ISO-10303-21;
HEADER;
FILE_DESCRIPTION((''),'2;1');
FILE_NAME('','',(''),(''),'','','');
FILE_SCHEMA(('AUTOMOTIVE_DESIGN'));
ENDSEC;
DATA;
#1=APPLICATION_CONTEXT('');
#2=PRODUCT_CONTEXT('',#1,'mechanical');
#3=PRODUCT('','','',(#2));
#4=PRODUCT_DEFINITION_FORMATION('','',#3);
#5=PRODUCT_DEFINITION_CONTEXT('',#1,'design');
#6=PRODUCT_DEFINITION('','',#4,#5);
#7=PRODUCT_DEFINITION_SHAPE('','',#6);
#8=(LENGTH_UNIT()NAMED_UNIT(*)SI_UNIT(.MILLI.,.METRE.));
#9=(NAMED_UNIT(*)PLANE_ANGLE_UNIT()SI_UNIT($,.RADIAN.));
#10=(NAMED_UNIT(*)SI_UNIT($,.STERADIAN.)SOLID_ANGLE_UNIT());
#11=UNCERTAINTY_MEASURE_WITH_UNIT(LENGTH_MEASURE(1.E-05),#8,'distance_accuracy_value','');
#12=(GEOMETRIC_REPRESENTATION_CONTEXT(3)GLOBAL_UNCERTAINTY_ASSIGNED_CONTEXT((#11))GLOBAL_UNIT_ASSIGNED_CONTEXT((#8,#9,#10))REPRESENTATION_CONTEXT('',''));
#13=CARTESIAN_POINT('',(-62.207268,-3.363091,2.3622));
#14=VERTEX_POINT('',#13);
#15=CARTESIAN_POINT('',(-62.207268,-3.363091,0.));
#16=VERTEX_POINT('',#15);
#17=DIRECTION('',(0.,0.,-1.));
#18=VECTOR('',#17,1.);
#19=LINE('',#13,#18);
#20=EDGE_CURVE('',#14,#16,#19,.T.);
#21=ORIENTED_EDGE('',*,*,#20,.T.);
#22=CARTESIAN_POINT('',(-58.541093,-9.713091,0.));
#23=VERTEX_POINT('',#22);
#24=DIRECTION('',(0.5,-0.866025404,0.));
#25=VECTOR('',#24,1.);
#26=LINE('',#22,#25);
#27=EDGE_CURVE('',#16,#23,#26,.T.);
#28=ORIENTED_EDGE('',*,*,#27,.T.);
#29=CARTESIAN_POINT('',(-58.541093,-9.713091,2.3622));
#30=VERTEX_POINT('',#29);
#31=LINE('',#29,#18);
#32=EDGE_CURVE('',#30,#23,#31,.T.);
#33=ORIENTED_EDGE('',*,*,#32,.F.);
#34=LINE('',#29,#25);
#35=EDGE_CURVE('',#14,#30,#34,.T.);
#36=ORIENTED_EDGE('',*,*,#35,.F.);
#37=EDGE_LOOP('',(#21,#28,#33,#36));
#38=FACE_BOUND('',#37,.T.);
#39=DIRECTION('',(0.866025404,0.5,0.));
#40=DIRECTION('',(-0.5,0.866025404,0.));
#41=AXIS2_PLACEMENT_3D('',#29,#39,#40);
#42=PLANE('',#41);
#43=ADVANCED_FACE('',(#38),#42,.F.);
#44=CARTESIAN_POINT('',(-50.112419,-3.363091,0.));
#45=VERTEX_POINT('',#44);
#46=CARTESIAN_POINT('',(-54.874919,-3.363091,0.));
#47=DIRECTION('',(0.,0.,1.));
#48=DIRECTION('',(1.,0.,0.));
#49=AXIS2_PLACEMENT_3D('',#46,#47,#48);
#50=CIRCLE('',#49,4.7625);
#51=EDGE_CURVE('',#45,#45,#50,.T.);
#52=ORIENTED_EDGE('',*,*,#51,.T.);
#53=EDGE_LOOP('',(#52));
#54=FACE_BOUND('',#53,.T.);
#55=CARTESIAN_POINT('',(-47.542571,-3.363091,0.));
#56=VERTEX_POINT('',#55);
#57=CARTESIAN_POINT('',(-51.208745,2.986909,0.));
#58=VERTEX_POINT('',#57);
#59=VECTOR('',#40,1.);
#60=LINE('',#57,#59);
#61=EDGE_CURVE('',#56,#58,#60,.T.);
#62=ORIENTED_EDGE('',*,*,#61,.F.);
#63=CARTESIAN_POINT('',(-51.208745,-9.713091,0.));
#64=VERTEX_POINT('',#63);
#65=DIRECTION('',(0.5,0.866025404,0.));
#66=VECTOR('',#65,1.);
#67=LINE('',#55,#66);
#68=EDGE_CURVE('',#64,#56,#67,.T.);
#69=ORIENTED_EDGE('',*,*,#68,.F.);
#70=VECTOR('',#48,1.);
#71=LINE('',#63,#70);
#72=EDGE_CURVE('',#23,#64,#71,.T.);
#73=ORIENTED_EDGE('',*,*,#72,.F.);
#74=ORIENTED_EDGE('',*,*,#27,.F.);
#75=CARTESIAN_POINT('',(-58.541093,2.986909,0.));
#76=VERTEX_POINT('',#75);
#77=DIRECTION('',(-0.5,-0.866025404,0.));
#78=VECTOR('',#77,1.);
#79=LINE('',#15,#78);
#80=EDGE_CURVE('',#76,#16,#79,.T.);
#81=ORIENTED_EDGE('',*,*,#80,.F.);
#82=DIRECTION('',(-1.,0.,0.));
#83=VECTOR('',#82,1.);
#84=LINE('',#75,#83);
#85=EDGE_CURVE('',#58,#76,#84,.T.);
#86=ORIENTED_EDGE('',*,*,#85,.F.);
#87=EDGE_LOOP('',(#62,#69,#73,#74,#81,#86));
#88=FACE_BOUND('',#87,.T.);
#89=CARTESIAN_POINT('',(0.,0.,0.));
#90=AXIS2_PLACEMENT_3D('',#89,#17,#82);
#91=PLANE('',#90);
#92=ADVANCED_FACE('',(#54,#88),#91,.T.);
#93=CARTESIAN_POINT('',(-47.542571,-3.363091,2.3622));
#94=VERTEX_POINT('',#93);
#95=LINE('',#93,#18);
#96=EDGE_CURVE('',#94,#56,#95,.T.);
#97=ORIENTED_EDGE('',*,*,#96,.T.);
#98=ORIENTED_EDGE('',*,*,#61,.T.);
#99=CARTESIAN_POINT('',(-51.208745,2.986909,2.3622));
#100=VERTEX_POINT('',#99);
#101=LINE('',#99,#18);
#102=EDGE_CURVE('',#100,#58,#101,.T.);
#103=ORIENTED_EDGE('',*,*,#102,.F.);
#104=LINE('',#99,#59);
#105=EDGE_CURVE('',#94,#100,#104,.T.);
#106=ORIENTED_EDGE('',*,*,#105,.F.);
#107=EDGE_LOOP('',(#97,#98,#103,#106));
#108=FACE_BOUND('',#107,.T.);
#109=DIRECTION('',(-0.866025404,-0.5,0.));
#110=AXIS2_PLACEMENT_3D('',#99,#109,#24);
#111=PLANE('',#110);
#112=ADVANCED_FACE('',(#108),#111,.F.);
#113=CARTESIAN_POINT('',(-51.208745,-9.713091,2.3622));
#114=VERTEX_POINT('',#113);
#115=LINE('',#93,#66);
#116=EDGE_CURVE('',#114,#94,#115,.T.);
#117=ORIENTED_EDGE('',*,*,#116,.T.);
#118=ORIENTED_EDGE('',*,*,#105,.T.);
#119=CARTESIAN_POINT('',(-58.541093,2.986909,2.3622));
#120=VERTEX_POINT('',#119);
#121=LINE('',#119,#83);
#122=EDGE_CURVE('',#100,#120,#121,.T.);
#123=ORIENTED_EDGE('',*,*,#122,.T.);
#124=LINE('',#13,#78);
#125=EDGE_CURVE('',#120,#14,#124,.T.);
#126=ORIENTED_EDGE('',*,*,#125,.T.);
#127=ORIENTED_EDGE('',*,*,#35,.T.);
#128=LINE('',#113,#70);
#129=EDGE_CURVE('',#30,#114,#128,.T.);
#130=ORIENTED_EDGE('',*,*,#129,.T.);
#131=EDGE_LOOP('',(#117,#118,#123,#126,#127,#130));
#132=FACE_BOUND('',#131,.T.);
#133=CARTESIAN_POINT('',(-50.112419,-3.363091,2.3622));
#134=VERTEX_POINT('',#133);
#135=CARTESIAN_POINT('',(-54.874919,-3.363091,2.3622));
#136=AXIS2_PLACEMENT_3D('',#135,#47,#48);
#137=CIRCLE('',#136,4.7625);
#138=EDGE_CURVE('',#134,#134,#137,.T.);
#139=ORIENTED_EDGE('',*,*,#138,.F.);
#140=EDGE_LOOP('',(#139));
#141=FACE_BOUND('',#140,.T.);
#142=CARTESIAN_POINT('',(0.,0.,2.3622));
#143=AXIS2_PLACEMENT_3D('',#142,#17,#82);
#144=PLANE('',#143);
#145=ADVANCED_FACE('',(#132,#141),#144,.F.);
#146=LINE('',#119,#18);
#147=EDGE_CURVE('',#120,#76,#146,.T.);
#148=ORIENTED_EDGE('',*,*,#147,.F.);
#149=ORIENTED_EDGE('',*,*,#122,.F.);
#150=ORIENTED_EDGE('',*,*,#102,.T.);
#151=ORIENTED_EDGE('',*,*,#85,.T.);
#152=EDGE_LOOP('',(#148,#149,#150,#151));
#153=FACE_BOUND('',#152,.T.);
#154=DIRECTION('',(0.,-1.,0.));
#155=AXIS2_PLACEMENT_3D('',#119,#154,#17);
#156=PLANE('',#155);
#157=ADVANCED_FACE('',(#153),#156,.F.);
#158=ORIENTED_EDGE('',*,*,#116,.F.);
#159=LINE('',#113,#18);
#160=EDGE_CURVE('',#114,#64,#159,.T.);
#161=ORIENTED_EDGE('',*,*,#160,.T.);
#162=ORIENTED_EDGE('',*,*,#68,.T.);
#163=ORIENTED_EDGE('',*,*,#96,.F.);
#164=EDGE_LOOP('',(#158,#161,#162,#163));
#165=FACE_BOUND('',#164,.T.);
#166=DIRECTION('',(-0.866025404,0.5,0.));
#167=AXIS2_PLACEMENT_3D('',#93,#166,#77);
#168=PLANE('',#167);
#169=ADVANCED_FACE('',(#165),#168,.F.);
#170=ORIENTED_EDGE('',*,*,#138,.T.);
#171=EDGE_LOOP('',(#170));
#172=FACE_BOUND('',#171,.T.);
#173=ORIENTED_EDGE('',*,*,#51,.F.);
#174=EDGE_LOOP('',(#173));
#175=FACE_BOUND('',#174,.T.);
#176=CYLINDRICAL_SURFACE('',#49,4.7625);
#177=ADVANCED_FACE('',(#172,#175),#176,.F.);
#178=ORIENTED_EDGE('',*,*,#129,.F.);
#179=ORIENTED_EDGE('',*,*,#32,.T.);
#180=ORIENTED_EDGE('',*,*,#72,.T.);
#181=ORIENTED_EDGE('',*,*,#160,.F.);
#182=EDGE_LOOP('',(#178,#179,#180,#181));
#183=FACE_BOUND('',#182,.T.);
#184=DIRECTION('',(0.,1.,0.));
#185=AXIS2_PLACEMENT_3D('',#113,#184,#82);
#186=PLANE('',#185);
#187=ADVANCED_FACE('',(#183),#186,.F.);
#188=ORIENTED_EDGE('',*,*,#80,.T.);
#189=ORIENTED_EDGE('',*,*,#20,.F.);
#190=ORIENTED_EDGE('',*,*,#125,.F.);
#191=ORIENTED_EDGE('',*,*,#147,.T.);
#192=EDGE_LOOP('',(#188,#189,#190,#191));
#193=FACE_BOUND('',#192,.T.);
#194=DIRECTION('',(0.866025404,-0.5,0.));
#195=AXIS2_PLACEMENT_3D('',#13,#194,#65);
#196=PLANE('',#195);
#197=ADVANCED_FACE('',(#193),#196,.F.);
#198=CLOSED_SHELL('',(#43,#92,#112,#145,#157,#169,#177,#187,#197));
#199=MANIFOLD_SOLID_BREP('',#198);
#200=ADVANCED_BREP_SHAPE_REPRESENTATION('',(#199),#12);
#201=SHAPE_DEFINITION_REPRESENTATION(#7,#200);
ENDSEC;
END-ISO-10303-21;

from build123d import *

# Parameters (mm, degrees)
BOSS_EXTRUDE1_DEPTH = 2.3622
SKETCH3_R           = 4.7625
CUT_EXTRUDE1_DEPTH  = 64.005303493


with BuildPart() as part:
    # Sketch2 → Boss-Extrude1 (new body)
    with BuildSketch(Plane.XY):
        Polygon((-58.541093471, -9.713090506), (-62.207267681, -3.363090506), (-58.541093471, 2.986909494), (-51.208745052, 2.986909494), (-47.542570843, -3.363090506), (-51.208745052, -9.713090506), align=None)
    extrude(amount=BOSS_EXTRUDE1_DEPTH)

    # Sketch3 → Cut-Extrude1 (cut, through all)
    with BuildSketch(Plane.XY.offset(2.3622)):
        with Locations((-54.874919262, -3.363090506)):
            Circle(SKETCH3_R)
    extrude(amount=-CUT_EXTRUDE1_DEPTH, mode=Mode.SUBTRACT)


solid = part.part
